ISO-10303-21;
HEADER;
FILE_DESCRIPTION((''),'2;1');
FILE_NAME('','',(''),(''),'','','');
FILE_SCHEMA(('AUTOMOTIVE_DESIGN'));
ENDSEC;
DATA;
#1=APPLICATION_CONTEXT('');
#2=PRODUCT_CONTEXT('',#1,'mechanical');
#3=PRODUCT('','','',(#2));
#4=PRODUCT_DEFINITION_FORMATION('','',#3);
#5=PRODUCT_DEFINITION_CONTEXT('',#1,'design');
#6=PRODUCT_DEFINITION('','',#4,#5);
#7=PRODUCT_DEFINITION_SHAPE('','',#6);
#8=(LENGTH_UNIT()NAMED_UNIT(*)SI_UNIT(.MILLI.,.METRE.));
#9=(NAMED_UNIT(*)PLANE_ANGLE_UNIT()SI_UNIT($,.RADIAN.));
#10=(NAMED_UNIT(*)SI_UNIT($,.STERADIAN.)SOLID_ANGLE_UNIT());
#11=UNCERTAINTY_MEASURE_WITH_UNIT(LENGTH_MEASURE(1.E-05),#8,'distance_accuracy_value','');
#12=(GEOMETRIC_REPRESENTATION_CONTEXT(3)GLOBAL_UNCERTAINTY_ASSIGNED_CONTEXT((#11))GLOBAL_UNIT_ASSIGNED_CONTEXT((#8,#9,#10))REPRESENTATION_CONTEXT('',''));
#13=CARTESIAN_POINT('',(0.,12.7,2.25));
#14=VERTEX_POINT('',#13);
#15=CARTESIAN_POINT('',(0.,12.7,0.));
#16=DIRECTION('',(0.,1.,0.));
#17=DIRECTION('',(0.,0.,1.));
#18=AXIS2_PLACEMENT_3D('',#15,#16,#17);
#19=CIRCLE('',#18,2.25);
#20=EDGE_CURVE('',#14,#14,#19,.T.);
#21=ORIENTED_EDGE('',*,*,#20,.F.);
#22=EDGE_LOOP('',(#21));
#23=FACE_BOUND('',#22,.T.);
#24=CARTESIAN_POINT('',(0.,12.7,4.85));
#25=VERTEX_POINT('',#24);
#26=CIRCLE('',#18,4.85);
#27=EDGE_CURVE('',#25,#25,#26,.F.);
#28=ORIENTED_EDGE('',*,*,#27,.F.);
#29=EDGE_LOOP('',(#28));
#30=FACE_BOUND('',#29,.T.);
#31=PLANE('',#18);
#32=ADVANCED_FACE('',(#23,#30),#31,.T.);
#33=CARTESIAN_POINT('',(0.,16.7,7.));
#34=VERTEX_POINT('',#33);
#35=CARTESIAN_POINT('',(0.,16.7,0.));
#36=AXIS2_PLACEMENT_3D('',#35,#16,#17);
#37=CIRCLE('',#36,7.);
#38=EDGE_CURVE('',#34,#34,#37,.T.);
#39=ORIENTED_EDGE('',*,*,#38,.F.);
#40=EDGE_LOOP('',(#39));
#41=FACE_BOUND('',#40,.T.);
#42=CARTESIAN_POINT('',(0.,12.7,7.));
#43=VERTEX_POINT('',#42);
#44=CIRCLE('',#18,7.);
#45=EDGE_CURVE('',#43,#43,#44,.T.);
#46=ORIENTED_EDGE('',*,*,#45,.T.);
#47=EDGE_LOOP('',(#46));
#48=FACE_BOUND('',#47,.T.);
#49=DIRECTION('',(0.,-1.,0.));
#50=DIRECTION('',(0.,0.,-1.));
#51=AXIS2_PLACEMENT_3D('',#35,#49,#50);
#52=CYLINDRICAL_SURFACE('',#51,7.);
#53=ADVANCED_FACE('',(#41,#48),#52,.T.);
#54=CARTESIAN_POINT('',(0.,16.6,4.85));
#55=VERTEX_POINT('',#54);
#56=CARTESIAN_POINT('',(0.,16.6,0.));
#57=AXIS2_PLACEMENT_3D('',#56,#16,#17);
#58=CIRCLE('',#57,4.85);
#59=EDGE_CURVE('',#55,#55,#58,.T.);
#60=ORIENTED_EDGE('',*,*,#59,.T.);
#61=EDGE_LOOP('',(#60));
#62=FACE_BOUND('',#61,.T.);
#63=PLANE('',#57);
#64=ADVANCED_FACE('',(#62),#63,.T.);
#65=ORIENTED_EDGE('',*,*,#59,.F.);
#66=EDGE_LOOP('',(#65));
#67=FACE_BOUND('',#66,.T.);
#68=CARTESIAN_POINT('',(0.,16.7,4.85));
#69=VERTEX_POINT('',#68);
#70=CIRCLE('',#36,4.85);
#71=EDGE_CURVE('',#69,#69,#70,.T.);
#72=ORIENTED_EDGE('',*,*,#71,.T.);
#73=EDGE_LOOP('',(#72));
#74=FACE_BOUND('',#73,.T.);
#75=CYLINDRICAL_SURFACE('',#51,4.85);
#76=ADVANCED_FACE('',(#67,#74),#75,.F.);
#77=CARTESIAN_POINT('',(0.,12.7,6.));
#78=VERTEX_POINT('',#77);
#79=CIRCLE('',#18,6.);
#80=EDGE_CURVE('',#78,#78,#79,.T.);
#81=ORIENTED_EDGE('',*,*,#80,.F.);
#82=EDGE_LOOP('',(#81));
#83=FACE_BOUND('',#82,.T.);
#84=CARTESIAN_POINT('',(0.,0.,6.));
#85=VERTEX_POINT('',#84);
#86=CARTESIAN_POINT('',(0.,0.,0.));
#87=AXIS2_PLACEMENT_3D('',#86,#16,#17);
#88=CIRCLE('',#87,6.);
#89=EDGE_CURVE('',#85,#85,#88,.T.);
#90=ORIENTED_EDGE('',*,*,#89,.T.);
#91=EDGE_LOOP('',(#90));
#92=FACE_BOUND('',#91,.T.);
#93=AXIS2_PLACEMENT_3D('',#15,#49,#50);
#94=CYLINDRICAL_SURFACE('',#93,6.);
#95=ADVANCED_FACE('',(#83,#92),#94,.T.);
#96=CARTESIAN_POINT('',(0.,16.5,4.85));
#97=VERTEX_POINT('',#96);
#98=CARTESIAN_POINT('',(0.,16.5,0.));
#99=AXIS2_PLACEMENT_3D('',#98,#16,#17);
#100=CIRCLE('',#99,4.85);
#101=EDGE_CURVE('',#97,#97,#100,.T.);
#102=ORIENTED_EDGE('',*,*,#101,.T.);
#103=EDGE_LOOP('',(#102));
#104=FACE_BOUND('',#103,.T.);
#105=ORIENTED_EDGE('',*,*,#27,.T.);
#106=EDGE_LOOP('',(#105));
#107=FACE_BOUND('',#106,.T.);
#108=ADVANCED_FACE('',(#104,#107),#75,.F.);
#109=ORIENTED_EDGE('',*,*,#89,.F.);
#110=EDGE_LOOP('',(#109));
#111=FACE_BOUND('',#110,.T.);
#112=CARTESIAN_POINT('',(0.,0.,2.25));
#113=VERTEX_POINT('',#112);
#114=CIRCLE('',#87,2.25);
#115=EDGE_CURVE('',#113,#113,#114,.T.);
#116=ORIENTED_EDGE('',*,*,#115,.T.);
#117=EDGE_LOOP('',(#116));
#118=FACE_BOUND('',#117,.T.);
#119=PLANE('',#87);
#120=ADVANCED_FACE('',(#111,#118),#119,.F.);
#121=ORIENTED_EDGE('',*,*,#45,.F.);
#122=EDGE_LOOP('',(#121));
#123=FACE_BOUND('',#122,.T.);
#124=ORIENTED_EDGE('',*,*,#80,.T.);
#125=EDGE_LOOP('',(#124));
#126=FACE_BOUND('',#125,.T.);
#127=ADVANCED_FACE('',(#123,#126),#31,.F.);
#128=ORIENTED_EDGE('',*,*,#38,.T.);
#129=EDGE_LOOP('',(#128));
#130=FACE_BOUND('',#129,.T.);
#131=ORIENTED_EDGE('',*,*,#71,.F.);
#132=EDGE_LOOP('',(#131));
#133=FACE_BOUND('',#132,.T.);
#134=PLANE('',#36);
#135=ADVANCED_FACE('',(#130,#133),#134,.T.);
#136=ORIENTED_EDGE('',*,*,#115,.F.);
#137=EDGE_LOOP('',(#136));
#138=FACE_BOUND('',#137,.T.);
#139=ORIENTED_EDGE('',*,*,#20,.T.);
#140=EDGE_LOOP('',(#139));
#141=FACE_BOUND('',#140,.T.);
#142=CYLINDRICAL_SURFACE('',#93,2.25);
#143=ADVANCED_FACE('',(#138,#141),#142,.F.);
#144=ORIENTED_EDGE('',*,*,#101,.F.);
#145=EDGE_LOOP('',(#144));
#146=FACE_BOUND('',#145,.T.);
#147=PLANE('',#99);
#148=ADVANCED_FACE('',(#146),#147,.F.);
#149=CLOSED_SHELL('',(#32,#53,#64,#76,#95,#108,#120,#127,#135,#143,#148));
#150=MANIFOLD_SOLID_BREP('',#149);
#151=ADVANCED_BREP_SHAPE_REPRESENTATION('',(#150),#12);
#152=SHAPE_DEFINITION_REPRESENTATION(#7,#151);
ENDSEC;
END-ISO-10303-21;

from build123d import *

# Parameters (mm, degrees)
SKETCH1_R           = 6
SKETCH1_R_2         = 2.25
BOSS_EXTRUDE1_DEPTH = 12.7
SKETCH2_R           = 7
SKETCH2_R_2         = 6
SKETCH2_R_3         = 4.85
BOSS_EXTRUDE2_DEPTH = 4
BOSS_EXTRUDE3_START = 3.9
SKETCH2_2_R         = 4.85
BOSS_EXTRUDE3_DEPTH = 0.1


with BuildPart() as part:
    # Sketch1 → Boss-Extrude1 (new body)
    with BuildSketch(Plane(origin=(0, 0, 0), x_dir=(1, 0, 0), z_dir=(0, 1, 0))):
        Circle(SKETCH1_R)
        Circle(SKETCH1_R_2, mode=Mode.SUBTRACT)
    extrude(amount=BOSS_EXTRUDE1_DEPTH)

    # Sketch2 → Boss-Extrude2 (add)
    with BuildSketch(Plane(origin=(0, 12.7, 0), x_dir=(1, 0, 0), z_dir=(0, 1, 0))):
        Circle(SKETCH2_R)
        Circle(SKETCH2_R_2, mode=Mode.SUBTRACT)
        Circle(SKETCH2_R_2)
        Circle(SKETCH2_R_3, mode=Mode.SUBTRACT)
    extrude(amount=BOSS_EXTRUDE2_DEPTH)

    # Sketch2<2> → Boss-Extrude3 (add)
    with BuildSketch(Plane(origin=(0, 12.7, 0), x_dir=(1, 0, 0), z_dir=(0, 1, 0)).offset(BOSS_EXTRUDE3_START)):
        Circle(SKETCH2_2_R)
    extrude(amount=-BOSS_EXTRUDE3_DEPTH)


solid = part.part
